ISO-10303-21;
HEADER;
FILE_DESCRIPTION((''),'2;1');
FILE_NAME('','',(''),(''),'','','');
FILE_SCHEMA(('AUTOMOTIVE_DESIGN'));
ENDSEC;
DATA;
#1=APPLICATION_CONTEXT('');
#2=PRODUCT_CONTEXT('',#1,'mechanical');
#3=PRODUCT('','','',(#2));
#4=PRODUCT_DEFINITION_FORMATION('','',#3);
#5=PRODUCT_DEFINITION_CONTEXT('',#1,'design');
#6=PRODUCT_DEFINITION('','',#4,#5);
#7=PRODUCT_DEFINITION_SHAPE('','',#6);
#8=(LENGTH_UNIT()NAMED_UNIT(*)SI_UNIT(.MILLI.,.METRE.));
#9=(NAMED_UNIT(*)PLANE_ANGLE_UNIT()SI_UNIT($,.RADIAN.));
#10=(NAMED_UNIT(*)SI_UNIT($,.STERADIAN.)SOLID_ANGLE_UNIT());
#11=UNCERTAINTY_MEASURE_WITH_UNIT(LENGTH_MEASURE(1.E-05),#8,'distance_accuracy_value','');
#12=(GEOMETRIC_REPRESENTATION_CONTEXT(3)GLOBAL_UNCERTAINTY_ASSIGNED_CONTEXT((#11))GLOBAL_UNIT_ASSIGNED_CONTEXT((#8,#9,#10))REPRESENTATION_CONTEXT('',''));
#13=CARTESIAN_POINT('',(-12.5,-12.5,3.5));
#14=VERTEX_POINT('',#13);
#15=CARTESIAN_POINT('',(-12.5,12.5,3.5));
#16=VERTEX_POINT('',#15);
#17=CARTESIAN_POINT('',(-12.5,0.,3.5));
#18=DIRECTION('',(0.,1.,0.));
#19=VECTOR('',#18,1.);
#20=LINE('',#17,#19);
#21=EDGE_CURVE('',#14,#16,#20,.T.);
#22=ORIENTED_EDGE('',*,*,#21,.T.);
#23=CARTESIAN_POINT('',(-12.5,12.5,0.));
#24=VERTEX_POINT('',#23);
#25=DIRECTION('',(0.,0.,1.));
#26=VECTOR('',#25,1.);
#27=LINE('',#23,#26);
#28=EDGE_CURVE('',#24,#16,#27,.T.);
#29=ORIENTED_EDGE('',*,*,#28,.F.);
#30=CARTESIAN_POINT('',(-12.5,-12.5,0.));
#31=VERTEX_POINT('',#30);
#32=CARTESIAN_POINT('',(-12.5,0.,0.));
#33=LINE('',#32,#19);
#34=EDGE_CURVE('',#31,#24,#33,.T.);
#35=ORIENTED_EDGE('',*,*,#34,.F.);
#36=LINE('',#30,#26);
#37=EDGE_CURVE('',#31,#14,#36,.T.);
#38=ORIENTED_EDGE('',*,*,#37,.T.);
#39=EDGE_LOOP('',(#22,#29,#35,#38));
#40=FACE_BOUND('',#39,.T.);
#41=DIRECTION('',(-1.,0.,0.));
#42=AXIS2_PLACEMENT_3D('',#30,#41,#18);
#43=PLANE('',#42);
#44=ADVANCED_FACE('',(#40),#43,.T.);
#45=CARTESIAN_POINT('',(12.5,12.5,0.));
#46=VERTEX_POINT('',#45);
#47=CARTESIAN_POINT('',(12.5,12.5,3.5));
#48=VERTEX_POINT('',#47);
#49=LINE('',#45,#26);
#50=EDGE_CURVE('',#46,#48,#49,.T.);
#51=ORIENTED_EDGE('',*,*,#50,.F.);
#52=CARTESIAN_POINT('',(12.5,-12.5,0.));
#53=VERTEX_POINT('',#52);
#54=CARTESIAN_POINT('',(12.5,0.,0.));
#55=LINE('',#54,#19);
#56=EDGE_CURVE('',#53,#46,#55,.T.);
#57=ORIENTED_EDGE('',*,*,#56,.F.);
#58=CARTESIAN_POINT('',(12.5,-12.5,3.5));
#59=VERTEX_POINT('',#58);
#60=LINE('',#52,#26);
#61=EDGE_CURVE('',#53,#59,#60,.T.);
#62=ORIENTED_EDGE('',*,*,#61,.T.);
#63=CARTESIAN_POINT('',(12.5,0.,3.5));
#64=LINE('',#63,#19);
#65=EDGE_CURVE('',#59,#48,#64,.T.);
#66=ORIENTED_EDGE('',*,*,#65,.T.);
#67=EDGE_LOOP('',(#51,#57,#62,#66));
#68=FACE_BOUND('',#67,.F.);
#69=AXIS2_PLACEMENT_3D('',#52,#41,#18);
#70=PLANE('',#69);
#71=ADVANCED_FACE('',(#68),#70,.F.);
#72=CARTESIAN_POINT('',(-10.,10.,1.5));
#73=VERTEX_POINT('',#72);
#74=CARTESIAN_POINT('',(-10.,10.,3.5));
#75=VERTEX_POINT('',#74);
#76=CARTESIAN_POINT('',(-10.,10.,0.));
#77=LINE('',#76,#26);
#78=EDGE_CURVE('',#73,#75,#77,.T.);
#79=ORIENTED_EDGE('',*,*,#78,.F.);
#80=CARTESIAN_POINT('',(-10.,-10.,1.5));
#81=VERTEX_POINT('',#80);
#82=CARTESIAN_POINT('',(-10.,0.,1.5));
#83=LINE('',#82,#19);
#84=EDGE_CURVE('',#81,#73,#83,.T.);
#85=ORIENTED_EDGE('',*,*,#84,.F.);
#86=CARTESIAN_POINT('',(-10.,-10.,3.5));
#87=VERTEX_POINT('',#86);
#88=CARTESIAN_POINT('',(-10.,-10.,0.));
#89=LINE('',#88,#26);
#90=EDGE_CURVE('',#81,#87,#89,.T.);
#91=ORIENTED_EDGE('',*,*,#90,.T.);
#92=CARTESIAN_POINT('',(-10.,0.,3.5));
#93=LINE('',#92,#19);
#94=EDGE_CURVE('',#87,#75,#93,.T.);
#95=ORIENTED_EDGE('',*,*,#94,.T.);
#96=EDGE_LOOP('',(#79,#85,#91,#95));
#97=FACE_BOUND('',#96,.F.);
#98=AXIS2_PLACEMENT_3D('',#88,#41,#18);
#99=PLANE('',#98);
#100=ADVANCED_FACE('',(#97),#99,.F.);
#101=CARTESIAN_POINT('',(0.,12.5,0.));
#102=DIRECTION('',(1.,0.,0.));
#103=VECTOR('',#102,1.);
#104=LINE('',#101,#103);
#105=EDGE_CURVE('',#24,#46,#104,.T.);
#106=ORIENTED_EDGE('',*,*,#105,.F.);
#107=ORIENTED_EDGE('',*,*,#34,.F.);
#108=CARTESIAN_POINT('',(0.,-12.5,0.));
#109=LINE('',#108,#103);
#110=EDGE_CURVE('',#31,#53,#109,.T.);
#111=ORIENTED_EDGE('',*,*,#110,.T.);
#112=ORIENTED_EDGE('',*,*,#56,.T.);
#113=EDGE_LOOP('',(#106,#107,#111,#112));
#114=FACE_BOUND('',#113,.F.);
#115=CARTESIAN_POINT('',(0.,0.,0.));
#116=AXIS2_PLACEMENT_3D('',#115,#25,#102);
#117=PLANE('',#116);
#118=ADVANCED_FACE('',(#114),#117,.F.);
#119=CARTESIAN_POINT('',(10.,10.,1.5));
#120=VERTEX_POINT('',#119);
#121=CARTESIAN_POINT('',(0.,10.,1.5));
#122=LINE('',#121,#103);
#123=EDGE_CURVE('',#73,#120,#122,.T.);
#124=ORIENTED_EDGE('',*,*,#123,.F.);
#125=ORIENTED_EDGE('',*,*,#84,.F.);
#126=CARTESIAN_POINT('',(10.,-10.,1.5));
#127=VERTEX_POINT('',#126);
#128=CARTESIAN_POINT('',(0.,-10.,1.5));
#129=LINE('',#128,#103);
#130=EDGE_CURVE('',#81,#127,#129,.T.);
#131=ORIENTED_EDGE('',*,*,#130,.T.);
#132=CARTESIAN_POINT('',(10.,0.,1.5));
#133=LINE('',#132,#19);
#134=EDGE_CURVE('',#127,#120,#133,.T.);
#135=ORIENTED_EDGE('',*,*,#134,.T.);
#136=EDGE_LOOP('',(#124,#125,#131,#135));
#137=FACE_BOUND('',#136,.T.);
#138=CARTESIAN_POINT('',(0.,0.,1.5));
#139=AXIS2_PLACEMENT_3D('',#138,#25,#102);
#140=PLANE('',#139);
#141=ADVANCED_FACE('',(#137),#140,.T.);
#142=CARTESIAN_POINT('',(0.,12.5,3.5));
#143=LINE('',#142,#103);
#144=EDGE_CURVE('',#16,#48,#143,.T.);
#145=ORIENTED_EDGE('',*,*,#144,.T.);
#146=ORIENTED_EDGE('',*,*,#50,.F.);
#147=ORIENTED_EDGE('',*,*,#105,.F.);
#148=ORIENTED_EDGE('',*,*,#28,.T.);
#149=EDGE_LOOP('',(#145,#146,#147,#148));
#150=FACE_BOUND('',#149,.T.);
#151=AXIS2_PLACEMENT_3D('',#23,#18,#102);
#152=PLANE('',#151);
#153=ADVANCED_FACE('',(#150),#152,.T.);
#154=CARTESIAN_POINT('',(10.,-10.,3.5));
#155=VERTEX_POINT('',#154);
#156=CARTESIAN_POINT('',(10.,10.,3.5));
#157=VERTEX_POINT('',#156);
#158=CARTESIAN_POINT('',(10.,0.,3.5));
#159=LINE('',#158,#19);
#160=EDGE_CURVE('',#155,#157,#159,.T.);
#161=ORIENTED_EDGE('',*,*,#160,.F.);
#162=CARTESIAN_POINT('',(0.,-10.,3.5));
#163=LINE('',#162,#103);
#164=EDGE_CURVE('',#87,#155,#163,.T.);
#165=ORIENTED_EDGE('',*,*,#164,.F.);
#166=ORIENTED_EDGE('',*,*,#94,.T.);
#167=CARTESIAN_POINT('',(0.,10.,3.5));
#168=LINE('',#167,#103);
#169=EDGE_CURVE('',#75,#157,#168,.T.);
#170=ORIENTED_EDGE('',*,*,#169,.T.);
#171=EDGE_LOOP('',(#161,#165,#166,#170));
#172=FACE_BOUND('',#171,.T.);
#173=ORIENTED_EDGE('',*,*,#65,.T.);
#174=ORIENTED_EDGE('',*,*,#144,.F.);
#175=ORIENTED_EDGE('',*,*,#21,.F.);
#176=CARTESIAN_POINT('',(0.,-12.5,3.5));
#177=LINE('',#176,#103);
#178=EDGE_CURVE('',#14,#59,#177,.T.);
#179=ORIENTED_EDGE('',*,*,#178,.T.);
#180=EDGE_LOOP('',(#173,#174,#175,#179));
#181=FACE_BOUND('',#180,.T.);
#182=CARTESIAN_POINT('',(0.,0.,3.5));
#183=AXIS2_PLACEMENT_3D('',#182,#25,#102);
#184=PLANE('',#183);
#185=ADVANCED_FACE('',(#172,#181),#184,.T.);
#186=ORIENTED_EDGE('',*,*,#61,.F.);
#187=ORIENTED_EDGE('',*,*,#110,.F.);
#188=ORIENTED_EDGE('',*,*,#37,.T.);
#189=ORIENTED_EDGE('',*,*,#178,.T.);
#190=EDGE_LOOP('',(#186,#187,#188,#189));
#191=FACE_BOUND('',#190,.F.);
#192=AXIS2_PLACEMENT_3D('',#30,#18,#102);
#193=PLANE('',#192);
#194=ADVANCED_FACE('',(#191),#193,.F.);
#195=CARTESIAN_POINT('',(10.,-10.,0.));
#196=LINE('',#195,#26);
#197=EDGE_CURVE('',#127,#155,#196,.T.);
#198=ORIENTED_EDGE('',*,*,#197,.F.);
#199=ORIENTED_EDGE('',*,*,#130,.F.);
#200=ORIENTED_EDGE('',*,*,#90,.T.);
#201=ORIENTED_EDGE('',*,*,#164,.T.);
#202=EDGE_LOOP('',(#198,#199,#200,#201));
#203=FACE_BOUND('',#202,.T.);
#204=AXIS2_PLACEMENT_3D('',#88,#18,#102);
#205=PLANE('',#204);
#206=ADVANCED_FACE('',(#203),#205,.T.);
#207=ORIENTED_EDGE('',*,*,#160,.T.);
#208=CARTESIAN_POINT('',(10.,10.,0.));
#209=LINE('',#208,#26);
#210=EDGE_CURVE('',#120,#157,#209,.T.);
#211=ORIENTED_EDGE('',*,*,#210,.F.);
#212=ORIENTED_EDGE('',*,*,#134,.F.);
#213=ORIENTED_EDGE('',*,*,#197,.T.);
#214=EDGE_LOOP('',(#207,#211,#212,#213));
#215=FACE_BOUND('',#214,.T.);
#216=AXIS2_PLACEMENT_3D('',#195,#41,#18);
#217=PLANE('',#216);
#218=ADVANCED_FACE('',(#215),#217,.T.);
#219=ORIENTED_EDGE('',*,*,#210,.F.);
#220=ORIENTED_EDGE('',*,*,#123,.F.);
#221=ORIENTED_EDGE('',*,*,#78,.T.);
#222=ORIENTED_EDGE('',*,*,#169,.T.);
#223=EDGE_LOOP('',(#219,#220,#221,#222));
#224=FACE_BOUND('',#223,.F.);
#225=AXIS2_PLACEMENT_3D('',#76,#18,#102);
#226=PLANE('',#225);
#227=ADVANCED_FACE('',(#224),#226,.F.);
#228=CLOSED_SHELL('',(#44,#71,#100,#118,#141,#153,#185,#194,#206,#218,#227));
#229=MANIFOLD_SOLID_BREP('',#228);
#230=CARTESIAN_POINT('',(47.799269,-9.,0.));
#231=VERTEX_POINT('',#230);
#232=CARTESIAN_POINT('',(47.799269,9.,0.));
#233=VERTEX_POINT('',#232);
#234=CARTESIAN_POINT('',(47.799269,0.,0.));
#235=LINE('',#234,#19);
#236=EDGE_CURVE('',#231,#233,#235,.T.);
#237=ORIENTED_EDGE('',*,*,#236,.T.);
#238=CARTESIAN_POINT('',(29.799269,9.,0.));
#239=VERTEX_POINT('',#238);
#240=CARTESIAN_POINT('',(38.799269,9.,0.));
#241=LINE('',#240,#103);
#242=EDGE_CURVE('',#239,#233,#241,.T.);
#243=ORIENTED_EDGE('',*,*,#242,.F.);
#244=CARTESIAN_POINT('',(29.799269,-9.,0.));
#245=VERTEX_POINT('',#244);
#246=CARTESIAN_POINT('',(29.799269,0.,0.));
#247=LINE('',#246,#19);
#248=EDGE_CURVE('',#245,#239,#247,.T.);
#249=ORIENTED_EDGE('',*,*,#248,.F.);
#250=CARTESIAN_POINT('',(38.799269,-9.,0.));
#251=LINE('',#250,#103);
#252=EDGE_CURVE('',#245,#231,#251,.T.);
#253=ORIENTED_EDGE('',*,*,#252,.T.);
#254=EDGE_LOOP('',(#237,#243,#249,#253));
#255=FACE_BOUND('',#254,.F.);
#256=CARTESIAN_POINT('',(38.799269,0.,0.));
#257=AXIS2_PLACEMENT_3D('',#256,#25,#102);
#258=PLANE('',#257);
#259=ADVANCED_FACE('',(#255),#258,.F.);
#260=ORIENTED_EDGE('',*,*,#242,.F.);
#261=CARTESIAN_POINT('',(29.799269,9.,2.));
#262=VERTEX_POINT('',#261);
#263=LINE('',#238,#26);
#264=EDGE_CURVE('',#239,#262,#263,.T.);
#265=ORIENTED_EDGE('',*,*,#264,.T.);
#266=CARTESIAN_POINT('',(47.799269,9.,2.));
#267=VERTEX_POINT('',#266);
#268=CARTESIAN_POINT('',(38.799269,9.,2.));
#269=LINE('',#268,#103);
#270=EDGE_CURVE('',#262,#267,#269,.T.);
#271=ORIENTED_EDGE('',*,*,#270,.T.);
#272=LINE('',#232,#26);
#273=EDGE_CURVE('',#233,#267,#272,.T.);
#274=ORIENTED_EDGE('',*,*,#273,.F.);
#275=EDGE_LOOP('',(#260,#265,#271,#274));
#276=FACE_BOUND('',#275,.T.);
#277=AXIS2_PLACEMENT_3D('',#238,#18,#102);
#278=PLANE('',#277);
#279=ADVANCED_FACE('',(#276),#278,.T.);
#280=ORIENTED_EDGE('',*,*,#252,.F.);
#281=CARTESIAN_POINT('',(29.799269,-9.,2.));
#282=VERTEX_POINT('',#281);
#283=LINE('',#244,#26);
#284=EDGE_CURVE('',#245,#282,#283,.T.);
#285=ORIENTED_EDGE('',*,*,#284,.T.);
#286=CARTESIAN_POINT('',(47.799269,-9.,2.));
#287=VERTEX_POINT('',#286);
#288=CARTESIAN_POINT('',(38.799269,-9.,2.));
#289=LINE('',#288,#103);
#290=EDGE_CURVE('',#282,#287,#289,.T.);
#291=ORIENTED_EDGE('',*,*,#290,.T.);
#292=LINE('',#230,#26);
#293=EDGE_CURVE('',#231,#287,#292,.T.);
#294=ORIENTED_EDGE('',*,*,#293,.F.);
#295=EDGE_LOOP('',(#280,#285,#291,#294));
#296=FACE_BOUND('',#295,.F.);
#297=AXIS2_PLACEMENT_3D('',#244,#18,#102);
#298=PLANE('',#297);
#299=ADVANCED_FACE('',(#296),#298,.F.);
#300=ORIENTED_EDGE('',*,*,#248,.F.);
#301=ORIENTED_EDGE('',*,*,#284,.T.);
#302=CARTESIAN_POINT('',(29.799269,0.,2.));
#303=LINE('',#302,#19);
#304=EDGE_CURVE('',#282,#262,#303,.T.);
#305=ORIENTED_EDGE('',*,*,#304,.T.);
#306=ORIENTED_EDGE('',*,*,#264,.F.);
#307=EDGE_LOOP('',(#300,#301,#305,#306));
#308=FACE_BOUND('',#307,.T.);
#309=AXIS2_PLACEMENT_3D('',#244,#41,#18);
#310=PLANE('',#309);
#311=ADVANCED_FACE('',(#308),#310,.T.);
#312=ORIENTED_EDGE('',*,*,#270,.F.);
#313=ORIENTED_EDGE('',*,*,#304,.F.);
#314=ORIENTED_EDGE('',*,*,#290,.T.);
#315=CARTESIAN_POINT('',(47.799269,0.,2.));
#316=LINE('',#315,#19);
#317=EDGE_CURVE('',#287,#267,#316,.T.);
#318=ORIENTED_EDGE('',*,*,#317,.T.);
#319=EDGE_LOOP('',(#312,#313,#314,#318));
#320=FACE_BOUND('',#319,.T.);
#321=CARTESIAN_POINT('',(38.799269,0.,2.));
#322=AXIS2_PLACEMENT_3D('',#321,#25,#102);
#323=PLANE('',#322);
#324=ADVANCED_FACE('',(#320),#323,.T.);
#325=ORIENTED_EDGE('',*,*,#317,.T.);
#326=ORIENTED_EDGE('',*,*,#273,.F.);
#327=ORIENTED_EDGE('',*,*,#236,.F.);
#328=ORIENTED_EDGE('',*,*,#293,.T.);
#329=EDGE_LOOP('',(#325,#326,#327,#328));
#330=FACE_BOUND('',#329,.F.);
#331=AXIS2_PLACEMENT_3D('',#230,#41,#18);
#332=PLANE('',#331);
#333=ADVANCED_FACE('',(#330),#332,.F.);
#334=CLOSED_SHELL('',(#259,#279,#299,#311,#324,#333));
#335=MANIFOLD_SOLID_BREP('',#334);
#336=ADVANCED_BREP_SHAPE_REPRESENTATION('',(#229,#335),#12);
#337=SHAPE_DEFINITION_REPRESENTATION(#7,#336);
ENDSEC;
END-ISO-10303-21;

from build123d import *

# Parameters (mm, degrees)
F0_W     = 25
F0_H     = 25
F0_W_2   = 20
F0_H_2   = 20
F1_DEPTH = 3.5
F0_W_3   = 18
F0_H_3   = 18
F2_DEPTH = 1.5
F3_DEPTH = 2


with BuildPart() as f1:
    # F0 (on Top) → F1 (new body)
    with BuildSketch(Plane.XY):
        Rectangle(F0_W, F0_H)
        Rectangle(F0_W_2, F0_H_2, mode=Mode.SUBTRACT)
    extrude(amount=F1_DEPTH)

    # F0 (on Top) → F2 (join)
    with BuildSketch(Plane.XY):
        Rectangle(F0_W_2, F0_H_2)
        Rectangle(F0_W_3, F0_H_3, mode=Mode.SUBTRACT)
        Rectangle(F0_W_3, F0_H_3)
    extrude(amount=F2_DEPTH)


with BuildPart() as f3:
    # F0 (on Top) → F3 (new body)
    with BuildSketch(Plane.XY):
        with Locations((38.799269, 0)):
            Rectangle(F0_W_3, F0_H_3)
    extrude(amount=F3_DEPTH)


solid = Compound([f1.part, f3.part])
